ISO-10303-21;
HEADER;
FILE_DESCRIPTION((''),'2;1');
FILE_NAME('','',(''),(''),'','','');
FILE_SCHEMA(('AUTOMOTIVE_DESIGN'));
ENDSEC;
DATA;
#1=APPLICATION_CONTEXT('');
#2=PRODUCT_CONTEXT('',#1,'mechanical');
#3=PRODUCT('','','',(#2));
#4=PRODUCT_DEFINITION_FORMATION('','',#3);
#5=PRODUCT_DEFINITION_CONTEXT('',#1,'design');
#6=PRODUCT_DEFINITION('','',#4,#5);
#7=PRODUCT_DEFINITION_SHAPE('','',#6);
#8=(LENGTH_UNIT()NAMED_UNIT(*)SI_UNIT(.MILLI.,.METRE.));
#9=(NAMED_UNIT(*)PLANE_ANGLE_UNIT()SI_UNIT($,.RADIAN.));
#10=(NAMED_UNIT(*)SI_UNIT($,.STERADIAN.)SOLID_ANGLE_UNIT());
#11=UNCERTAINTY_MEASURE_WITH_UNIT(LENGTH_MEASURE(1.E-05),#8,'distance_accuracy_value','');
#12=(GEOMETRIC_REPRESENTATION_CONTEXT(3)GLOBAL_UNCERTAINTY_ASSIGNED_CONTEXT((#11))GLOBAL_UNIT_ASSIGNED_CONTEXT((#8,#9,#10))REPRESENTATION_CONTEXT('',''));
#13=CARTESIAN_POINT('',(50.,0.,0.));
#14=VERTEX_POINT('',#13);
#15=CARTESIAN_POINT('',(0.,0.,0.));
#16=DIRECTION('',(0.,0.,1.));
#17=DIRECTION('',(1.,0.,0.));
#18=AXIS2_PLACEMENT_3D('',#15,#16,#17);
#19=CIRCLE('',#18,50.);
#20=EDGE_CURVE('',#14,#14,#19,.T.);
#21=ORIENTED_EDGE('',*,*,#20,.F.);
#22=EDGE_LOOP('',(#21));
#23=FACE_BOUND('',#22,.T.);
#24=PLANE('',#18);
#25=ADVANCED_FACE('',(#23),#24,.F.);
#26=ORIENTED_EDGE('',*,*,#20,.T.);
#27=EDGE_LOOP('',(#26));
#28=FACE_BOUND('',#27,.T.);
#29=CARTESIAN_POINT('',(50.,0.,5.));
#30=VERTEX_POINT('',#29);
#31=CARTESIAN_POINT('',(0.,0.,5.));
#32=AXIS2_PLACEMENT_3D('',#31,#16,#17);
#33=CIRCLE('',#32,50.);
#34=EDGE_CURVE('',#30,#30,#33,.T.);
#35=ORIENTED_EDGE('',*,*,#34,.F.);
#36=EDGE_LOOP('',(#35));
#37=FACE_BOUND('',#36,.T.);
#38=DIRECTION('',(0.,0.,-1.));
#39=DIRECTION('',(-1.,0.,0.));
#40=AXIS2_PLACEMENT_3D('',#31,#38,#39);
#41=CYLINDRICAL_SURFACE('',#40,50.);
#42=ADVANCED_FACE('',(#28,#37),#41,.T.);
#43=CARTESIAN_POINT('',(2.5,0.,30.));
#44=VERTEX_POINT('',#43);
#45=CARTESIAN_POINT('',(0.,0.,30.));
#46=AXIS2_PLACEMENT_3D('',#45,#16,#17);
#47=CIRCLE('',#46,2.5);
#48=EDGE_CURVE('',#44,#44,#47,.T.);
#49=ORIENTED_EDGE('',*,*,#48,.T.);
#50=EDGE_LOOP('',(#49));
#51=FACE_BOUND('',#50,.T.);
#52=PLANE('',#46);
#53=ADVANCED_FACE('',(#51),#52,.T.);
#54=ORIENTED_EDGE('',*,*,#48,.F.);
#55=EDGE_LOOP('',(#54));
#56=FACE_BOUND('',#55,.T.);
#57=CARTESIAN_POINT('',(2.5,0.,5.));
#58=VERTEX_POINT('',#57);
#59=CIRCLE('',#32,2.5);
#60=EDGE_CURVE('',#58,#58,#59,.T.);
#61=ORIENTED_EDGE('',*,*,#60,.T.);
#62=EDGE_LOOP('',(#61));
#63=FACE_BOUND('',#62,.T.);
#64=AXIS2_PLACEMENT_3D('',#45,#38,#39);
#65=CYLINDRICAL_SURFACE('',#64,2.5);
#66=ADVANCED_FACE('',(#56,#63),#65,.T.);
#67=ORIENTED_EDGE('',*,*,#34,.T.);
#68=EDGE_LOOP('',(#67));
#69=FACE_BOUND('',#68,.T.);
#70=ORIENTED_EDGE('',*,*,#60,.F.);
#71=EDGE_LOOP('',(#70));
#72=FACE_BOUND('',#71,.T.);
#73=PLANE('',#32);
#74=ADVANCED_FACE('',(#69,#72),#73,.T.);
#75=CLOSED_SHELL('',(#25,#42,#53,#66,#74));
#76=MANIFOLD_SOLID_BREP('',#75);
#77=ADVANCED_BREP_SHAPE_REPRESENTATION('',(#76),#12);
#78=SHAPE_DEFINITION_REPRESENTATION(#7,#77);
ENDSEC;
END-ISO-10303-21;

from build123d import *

# Parameters (mm, degrees)
SKETCH_1_R      = 50
EXTRUDE_1_DEPTH = 5
SKETCH_2_R      = 2.5
EXTRUDE_2_DEPTH = 25


with BuildPart() as part:
    # 草圖1 → 填料-伸長1 (new body)
    with BuildSketch(Plane.XY):
        Circle(SKETCH_1_R)
    extrude(amount=EXTRUDE_1_DEPTH)

    # 草圖2 → 填料-伸長2 (add)
    with BuildSketch(Plane.XY.offset(5)):
        Circle(SKETCH_2_R)
    extrude(amount=EXTRUDE_2_DEPTH)


solid = part.part
